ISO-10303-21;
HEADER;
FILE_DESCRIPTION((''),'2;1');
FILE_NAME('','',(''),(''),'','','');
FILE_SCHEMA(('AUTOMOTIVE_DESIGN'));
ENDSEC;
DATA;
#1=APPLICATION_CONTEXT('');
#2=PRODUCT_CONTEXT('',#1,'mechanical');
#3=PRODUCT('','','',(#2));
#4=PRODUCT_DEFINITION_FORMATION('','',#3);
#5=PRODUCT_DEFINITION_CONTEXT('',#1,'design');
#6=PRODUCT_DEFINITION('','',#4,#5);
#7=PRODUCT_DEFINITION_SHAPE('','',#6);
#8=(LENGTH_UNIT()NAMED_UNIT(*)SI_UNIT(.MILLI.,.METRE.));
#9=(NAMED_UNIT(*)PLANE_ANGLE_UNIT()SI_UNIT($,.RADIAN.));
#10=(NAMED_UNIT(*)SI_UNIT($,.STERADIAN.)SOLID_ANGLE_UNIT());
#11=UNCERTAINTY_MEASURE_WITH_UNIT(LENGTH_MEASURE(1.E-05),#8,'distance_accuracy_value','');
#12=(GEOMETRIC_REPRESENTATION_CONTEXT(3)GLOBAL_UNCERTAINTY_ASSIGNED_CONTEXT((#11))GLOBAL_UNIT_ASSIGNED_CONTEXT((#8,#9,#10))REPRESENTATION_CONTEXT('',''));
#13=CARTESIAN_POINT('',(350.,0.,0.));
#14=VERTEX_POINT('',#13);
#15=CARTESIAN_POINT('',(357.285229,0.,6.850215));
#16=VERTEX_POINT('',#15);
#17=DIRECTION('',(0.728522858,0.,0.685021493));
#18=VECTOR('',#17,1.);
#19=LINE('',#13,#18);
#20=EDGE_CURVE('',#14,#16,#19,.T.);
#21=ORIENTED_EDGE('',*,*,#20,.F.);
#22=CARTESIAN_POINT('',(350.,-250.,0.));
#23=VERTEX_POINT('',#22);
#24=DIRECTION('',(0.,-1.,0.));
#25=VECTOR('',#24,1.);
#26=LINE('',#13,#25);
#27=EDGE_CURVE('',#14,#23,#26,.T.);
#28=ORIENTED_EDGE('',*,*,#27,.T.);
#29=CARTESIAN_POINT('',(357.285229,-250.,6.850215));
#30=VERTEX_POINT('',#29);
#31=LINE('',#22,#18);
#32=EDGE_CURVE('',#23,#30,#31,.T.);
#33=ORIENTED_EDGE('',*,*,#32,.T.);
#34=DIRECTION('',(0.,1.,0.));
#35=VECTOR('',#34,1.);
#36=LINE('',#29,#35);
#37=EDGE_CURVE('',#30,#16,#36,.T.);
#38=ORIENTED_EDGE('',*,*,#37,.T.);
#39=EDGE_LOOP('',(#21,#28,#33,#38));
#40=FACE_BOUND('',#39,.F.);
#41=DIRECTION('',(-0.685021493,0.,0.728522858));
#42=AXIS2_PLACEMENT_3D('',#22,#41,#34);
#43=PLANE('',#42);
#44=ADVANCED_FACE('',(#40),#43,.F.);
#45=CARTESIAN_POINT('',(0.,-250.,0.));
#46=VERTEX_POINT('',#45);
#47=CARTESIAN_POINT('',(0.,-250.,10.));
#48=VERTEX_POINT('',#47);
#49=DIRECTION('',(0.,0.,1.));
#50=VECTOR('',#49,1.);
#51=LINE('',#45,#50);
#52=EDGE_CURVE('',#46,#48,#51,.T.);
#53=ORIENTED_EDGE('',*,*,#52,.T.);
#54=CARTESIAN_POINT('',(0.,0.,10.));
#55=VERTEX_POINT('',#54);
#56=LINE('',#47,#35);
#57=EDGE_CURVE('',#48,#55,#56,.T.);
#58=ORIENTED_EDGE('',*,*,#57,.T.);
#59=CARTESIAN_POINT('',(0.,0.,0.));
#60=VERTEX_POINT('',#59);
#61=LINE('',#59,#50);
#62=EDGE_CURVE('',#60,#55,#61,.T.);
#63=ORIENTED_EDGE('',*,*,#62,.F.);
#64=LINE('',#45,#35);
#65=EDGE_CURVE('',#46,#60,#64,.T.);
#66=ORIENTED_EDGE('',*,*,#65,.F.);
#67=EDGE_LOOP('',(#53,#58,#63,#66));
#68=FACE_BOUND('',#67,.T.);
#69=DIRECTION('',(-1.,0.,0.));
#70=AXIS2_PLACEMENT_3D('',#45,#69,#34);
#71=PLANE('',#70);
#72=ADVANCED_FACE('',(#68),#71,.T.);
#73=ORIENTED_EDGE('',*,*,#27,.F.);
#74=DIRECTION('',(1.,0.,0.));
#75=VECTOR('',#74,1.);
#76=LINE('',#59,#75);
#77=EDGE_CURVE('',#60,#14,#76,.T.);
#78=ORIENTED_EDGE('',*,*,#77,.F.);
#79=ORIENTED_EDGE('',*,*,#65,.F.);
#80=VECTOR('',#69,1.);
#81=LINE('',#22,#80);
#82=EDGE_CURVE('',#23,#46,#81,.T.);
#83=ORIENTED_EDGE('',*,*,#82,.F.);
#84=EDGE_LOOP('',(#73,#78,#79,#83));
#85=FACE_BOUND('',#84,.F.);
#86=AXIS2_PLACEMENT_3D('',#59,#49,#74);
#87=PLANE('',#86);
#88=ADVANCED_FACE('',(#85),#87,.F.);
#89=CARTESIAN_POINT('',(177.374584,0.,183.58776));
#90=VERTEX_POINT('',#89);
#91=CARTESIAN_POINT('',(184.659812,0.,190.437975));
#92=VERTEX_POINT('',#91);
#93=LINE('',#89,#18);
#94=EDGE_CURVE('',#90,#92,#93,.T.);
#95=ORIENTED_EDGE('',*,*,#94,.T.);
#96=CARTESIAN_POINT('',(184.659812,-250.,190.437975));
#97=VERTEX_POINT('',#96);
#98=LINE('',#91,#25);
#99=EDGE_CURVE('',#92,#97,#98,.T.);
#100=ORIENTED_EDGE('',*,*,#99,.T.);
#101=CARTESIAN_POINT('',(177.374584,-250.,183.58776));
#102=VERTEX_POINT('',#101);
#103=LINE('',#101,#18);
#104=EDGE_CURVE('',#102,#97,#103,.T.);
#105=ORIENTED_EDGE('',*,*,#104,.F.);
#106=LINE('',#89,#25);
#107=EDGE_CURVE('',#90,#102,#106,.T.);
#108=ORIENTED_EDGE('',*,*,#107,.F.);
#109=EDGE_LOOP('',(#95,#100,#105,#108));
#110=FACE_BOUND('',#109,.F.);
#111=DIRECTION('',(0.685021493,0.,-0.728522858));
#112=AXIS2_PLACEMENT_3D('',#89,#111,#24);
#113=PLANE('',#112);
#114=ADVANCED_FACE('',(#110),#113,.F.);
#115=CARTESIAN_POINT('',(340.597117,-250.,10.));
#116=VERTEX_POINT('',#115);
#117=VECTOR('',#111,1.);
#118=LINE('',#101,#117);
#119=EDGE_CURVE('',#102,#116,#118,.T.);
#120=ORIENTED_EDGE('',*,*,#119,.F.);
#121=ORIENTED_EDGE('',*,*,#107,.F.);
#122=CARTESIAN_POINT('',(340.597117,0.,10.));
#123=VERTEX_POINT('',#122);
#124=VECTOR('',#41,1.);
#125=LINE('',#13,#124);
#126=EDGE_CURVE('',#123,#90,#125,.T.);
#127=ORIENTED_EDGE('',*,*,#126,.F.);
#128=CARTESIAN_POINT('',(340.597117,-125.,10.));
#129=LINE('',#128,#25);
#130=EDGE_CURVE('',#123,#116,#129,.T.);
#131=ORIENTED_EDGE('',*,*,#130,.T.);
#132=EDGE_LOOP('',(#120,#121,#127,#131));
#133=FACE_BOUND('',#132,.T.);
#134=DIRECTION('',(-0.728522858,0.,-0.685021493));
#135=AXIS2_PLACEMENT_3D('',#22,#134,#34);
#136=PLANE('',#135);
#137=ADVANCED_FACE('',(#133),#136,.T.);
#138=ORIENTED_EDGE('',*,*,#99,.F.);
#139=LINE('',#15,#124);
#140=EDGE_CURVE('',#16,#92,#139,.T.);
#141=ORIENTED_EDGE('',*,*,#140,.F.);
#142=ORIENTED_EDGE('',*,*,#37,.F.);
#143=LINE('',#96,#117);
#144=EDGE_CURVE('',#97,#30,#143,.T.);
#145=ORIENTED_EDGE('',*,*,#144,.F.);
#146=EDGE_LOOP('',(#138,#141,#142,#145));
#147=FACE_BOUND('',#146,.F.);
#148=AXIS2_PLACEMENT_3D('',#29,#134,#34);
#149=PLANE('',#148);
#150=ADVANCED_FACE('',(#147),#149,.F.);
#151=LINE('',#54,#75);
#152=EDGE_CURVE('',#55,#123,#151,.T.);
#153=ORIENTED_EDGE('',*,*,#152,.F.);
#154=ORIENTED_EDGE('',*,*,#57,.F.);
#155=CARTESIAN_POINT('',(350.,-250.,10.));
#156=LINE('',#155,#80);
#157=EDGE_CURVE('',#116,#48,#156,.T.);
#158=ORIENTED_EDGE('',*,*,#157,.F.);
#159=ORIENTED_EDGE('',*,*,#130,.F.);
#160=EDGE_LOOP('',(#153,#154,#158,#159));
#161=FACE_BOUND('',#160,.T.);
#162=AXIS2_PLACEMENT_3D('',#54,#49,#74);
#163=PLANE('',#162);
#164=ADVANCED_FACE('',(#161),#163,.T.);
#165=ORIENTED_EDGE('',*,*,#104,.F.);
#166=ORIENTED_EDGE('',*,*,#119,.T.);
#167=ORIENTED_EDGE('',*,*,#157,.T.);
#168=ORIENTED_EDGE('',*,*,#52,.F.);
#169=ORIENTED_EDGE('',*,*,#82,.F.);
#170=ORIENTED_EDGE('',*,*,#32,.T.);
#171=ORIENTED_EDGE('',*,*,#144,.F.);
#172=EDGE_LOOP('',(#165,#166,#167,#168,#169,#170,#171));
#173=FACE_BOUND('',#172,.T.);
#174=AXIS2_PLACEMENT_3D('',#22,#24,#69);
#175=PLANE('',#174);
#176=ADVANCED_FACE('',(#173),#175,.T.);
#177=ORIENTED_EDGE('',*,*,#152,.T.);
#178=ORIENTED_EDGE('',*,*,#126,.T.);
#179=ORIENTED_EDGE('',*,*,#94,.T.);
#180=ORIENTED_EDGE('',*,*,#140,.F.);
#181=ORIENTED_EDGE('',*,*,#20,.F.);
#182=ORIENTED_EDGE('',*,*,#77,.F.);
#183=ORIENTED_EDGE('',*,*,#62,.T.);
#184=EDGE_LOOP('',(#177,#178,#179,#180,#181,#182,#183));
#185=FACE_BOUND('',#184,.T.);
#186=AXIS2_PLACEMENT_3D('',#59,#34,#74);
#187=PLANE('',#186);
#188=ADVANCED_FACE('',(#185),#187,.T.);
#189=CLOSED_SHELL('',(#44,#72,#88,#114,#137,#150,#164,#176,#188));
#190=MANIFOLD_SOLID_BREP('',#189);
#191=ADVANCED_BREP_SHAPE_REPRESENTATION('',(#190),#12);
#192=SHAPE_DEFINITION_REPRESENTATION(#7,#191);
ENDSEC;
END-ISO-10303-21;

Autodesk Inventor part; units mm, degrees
ref_plane "YZ Plane" through (0, 0, 0) normal (1, 0, 0) x (0, 1, 0)
ref_plane "XZ Plane" through (0, 0, 0) normal (0, 1, 0) x (-1, 0, 0)
sketch "Boceto1" plane through (0, 0, 0) normal (0, 0, 1) x (1, 0, 0)
  line L0 (0, 0) -> (350, 0)
  line L1 (350, 0) -> (350, -250)
  line L2 (350, -250) -> (0, -250)
  line L3 (0, -250) -> (0, 0)
  dimension "d0" = 350
  dimension "d1" = 250
extrude "Extrusión1" add sketch "Boceto1" along normal blind 10
ref_plane "Plano de trabajo1" through (350, -250, 0) normal (-0.7285, 0, -0.685) x (0, 1, 0)
sketch "Boceto2" plane through (350, -250, 0) normal (-0.7285, 0, -0.685) x (0, 1, 0)
  line L0 (0, 0) -> (250, 0) projected
  line L1 (0, 0) -> (250, 0)
  line L2 (250, 0) -> (250, -252)
  line L3 (250, -252) -> (0, -252)
  line L4 (0, -252) -> (0, 0)
  point P0 (250, -239.7606)
  point P1 (250, 0)
  dimension "d5" = 250
  dimension "d6" = 252
extrude "Extrusión2" add sketch "Boceto2" against normal blind 10
sketch "Boceto3" plane through (357.2851, -250, 6.8503) normal (0.7285, 0, 0.685) x (0.685, 0, -0.7285)
  arc A0 (-179.2335, 22.3949) -> (-179.2335, 102.4229) centre (-179.2335, 62.4089) ccw
  line L0 (-179.2335, 22.3949) -> (-205.9095, 22.3949)
  line L1 (-205.9095, 22.3949) -> (-205.9095, 89.0849)
  line L2 (-179.2335, 89.0849) -> (-192.5715, 89.0849)
  line L3 (-192.5715, 89.0849) -> (-192.5715, 35.7329)
  line L4 (-192.5715, 35.7329) -> (-179.2335, 35.7329)
  arc A1 (-179.2335, 35.7329) -> (-179.2335, 89.0849) centre (-179.2335, 62.4089) ccw
  line L5 (-192.5715, 89.0849) -> (-205.9095, 89.0849)
  line L6 (-192.5715, 102.4229) -> (-192.5715, 89.0849)
  line L7 (-200.5743, 127.8046) -> (-200.5743, 117.1342)
  line L8 (-200.5743, 117.1342) -> (-157.8927, 117.1342)
  line L9 (-157.8927, 117.1342) -> (-157.8927, 127.8046)
  arc A2 (-157.8927, 127.8046) -> (-200.5743, 127.8046) centre (-179.2335, 127.8046) ccw
  line L10 (-200.5743, 160.5789) -> (-203.2419, 160.5789)
  line L11 (-200.5743, 160.5789) -> (-197.9067, 160.5789)
  line L12 (-191.2377, 160.5789) -> (-157.8927, 160.5789)
  line L13 (-200.5743, 183.5325) -> (-200.5743, 172.8621)
  line L14 (-200.5743, 172.8621) -> (-157.8927, 172.8621)
  arc A3 (-157.8927, 183.5325) -> (-200.5743, 183.5325) centre (-179.2335, 183.5325) ccw
  line L15 (-157.8927, 172.8621) -> (-157.8927, 183.5325)
  line L16 (-200.5743, 216.4887) -> (-203.2419, 216.4887)
  line L17 (-200.5743, 216.4887) -> (-197.9067, 216.4887)
  line L18 (-191.2377, 216.4887) -> (-157.8927, 216.4887)
  line L19 (-192.5715, 102.4229) -> (-179.2335, 102.4229)
  line L20 (-75.4492, 148.487) -> (-58.3492, 148.487)
  line L21 (-58.3492, 170.7597) -> (-64.3342, 170.7597)
  line L22 (-92.5492, 135.662) -> (-75.4492, 148.487)
  line L23 (-92.5492, 161.312) -> (-75.4492, 148.487)
  line L24 (-92.5492, 180.5891) -> (-58.3492, 193.4141)
  line L25 (-92.5492, 206.2391) -> (-58.3492, 193.4141)
  line L26 (-58.3492, 215.852) -> (-64.3342, 215.852)
  line L27 (-58.6269, 85.751) -> (-92.8269, 85.751)
  arc A4 (-71.4519, 98.576) -> (-92.8269, 98.576) centre (-82.1394, 98.576) ccw
  line L28 (-71.4519, 98.576) -> (-71.4519, 85.751)
  line L29 (-58.6269, 30.982) -> (-92.8269, 39.532)
  line L30 (-92.8269, 39.532) -> (-58.6269, 48.082)
  line L31 (-92.8269, 56.632) -> (-58.6269, 48.082)
  line L32 (-92.8269, 56.632) -> (-58.6269, 65.182)
  line L33 (-58.6269, 75.322) -> (-64.6119, 75.322)
  line L34 (-92.8269, 85.751) -> (-92.8269, 98.576)
  line L35 (-58.6269, 118.6704) -> (-64.6119, 118.6704)
  point P0 (-239.7606, 250)
  point P1 (-58.6269, 30.982)
properties part number "Logo_names"
